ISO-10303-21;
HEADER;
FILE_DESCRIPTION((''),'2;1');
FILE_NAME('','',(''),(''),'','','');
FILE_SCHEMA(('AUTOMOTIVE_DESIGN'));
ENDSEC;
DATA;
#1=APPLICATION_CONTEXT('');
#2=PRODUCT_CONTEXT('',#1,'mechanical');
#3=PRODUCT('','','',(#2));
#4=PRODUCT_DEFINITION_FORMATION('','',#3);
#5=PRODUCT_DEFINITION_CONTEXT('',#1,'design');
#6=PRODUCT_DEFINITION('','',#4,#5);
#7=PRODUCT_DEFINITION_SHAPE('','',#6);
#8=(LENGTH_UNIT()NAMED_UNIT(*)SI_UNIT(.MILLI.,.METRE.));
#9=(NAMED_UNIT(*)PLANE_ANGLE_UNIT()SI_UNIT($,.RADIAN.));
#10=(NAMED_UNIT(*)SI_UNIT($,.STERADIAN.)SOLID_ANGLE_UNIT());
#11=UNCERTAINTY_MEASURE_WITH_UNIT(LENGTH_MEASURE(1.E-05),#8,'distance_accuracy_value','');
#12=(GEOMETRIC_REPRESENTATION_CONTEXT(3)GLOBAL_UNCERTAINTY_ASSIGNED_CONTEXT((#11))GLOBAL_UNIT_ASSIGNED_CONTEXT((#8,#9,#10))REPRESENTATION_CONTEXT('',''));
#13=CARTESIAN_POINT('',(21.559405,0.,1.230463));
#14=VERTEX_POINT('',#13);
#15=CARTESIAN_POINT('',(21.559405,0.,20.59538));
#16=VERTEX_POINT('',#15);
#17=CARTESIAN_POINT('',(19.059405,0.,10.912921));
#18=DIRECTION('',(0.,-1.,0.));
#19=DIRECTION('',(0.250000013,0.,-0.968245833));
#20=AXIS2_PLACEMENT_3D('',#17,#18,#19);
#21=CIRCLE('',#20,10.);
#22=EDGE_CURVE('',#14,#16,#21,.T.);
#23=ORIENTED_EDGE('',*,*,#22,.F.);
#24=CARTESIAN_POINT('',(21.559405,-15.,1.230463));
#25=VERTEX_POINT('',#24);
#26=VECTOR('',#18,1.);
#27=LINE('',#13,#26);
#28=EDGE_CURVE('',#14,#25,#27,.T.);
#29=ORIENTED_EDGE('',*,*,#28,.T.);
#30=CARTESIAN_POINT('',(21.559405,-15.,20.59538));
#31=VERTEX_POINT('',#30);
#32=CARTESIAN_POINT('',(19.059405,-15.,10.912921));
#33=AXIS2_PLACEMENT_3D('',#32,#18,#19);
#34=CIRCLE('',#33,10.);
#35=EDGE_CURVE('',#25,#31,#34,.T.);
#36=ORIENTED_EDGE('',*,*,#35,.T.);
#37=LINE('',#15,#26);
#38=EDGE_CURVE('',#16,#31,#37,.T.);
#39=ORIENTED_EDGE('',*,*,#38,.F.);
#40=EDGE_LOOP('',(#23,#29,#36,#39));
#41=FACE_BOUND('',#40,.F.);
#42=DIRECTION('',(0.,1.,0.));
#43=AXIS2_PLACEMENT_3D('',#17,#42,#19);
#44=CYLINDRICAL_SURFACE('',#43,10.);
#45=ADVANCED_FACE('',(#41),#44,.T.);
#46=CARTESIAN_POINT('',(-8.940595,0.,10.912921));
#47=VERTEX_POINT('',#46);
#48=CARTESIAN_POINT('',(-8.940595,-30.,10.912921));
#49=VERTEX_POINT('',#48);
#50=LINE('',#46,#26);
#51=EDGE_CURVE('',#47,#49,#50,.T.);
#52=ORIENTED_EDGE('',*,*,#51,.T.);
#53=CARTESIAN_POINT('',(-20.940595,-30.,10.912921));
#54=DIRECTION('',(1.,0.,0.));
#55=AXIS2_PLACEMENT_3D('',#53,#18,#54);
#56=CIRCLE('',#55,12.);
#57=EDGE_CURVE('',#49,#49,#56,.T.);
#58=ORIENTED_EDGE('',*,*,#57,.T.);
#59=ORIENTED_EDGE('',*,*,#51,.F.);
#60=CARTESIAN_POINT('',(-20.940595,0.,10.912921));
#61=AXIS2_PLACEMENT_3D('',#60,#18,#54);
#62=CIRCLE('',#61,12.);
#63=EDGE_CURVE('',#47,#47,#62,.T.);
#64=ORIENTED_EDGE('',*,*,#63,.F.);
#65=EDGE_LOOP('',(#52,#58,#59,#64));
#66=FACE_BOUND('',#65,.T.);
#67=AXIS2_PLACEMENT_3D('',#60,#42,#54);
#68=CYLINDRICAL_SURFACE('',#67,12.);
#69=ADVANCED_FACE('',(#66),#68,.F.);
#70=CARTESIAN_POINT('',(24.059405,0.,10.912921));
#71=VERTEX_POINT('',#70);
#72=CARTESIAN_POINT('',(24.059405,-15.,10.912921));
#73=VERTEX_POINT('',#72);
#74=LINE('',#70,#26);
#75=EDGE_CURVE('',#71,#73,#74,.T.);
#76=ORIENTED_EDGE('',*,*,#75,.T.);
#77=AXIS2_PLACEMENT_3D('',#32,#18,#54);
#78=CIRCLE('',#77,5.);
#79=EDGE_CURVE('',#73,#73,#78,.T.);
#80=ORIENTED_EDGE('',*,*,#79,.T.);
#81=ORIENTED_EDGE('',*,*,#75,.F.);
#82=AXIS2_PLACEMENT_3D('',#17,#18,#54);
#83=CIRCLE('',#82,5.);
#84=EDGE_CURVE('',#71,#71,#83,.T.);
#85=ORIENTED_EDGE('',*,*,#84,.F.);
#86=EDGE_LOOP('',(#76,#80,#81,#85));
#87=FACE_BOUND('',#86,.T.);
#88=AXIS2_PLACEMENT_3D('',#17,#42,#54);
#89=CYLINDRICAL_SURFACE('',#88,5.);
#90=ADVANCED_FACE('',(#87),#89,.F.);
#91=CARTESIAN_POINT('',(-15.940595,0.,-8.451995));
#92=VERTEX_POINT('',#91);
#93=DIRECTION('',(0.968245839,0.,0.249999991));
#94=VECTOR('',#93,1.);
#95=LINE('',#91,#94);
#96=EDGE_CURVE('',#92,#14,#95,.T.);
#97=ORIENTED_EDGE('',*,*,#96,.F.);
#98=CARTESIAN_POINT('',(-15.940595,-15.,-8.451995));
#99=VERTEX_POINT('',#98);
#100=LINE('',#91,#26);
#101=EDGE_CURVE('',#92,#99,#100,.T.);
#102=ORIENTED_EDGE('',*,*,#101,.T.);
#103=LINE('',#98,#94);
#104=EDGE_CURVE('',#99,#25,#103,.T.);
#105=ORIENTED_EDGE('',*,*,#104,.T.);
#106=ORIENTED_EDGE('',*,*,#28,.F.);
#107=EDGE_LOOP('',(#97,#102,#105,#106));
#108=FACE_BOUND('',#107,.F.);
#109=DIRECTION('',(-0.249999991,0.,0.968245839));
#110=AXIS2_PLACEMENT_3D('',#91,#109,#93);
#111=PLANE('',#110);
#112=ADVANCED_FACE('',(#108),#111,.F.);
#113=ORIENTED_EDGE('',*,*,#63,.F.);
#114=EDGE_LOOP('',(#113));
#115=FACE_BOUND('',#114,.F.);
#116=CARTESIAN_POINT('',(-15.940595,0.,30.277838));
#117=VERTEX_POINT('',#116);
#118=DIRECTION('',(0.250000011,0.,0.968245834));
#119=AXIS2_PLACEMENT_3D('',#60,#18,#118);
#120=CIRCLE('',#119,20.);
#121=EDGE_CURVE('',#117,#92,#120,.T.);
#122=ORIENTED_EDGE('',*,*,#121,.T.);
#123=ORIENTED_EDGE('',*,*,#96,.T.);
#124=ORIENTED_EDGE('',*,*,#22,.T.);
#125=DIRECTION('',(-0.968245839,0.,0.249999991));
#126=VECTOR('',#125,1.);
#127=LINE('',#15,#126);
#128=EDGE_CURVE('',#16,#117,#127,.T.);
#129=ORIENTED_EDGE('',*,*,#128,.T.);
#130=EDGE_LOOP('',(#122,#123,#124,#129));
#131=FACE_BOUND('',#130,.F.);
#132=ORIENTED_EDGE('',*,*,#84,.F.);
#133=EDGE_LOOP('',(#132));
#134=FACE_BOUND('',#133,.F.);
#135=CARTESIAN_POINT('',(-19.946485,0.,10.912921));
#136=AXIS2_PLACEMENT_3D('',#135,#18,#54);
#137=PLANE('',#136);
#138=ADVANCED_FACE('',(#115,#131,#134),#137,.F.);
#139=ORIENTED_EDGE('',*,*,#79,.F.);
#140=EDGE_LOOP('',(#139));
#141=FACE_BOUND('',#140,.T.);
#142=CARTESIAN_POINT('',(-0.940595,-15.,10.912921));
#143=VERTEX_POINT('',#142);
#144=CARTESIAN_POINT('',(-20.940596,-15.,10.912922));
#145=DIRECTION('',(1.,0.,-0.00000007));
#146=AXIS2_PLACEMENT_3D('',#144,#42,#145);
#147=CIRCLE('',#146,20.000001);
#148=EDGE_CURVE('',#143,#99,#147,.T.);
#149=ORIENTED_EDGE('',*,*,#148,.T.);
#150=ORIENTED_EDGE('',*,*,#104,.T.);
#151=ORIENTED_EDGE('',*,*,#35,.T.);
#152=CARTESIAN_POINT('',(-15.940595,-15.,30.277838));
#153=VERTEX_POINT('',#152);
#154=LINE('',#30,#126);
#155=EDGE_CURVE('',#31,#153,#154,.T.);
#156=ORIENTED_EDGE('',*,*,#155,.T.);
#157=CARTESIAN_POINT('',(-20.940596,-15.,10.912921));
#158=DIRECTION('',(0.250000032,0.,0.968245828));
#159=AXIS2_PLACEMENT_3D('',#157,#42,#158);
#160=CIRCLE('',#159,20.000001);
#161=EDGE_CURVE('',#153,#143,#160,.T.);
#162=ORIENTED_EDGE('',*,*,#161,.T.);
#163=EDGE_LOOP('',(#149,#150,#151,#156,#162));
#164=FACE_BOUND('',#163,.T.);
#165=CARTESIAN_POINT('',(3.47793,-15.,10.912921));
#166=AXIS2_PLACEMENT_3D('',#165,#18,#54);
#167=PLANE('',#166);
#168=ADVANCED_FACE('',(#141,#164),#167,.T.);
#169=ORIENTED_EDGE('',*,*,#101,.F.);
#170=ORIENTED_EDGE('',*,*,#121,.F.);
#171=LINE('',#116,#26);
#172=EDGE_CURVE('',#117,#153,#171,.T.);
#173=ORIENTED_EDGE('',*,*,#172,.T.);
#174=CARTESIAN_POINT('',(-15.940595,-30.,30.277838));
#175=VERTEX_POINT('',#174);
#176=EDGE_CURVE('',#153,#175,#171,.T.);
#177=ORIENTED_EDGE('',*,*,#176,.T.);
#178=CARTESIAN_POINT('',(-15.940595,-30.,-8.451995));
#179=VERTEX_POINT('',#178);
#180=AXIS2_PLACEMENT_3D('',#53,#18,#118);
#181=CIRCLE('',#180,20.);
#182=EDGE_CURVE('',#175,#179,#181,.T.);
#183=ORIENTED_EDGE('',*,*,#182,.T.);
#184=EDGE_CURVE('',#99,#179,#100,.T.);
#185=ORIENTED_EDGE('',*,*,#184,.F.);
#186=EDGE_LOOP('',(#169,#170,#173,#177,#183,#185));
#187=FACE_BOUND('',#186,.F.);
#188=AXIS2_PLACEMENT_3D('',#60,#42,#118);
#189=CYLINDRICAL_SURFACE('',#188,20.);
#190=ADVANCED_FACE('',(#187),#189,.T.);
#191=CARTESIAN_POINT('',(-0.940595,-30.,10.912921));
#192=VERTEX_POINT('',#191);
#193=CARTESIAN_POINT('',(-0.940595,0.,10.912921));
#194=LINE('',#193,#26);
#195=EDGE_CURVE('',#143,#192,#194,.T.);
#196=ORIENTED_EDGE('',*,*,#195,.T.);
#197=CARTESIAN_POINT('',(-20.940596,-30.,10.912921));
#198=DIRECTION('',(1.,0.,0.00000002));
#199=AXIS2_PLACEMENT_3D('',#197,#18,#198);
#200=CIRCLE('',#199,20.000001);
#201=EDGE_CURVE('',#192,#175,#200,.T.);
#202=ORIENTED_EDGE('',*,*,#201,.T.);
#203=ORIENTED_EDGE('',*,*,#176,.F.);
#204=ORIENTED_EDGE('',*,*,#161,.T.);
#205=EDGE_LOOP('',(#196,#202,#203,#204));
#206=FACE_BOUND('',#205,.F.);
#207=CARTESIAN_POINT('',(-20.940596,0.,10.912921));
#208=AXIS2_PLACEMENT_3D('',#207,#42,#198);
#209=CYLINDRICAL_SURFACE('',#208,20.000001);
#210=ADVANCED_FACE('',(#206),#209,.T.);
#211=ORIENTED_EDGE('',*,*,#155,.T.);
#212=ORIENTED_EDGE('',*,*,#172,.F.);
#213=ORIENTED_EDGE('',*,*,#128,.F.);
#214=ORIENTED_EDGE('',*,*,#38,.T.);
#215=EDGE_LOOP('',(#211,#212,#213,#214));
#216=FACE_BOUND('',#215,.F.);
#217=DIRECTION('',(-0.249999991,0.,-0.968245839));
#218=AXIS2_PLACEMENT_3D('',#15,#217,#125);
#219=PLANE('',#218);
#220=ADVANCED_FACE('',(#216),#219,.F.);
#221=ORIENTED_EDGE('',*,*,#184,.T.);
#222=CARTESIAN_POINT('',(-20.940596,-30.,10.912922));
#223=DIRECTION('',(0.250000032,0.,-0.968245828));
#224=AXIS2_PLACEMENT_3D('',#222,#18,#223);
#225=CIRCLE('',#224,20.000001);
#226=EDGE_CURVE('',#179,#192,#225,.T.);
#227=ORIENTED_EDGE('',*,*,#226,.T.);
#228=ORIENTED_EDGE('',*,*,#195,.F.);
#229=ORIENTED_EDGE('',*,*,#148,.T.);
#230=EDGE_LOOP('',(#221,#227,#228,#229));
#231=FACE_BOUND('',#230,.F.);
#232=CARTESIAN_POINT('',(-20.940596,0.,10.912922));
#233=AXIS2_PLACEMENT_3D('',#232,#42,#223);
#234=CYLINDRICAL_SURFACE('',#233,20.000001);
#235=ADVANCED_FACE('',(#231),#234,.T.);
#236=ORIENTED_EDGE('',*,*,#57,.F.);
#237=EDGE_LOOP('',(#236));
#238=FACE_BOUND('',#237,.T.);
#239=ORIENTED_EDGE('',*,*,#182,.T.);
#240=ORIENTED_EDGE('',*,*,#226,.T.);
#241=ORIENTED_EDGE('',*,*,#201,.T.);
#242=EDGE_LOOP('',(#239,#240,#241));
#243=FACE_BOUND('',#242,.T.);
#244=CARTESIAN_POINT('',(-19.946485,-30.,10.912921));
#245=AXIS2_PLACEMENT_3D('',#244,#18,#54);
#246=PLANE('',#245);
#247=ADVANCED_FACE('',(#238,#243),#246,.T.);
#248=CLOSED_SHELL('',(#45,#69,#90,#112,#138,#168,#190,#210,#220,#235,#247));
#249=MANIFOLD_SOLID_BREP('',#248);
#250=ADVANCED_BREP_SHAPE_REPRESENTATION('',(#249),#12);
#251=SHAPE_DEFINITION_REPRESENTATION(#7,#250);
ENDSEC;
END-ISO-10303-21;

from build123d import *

# Parameters (mm, degrees)
F0_R     = 5
F1_DEPTH = 15
F0_R_2   = 12
F2_DEPTH = 30


with BuildPart() as f1:
    # F0 (on Front) → F1 (new body)
    with BuildSketch(Plane.XZ):
        with BuildLine():
            ThreePointArc((-15.940595, 30.277838), (-5.129207, 23.16037), (-0.940595, 10.912921))
            ThreePointArc((-0.940595, 10.912921), (-5.129207, -1.334527), (-15.940595, -8.451995))
            Line((-15.940595, -8.451995), (21.559405, 1.230463))
            ThreePointArc((21.559405, 1.230463), (29.059405, 10.912921), (21.559405, 20.59538))
            Line((21.559405, 20.59538), (-15.940595, 30.277838))
        make_face()
        with Locations((19.059405, 10.912921)):
            Circle(F0_R, mode=Mode.SUBTRACT)
    extrude(amount=F1_DEPTH)

    # F0 (on Front) → F2 (join)
    with BuildSketch(Plane.XZ):
        with BuildLine():
            ThreePointArc((-15.940595, -8.451995), (-5.129207, -1.334527), (-0.940595, 10.912921))
            ThreePointArc((-0.940595, 10.912921), (-5.129207, 23.16037), (-15.940595, 30.277838))
            ThreePointArc((-15.940595, 30.277838), (-40.940595, 10.912921), (-15.940595, -8.451995))
        make_face()
        with Locations((-20.940595, 10.912921)):
            Circle(F0_R_2, mode=Mode.SUBTRACT)
    extrude(amount=F2_DEPTH)


solid = f1.part
